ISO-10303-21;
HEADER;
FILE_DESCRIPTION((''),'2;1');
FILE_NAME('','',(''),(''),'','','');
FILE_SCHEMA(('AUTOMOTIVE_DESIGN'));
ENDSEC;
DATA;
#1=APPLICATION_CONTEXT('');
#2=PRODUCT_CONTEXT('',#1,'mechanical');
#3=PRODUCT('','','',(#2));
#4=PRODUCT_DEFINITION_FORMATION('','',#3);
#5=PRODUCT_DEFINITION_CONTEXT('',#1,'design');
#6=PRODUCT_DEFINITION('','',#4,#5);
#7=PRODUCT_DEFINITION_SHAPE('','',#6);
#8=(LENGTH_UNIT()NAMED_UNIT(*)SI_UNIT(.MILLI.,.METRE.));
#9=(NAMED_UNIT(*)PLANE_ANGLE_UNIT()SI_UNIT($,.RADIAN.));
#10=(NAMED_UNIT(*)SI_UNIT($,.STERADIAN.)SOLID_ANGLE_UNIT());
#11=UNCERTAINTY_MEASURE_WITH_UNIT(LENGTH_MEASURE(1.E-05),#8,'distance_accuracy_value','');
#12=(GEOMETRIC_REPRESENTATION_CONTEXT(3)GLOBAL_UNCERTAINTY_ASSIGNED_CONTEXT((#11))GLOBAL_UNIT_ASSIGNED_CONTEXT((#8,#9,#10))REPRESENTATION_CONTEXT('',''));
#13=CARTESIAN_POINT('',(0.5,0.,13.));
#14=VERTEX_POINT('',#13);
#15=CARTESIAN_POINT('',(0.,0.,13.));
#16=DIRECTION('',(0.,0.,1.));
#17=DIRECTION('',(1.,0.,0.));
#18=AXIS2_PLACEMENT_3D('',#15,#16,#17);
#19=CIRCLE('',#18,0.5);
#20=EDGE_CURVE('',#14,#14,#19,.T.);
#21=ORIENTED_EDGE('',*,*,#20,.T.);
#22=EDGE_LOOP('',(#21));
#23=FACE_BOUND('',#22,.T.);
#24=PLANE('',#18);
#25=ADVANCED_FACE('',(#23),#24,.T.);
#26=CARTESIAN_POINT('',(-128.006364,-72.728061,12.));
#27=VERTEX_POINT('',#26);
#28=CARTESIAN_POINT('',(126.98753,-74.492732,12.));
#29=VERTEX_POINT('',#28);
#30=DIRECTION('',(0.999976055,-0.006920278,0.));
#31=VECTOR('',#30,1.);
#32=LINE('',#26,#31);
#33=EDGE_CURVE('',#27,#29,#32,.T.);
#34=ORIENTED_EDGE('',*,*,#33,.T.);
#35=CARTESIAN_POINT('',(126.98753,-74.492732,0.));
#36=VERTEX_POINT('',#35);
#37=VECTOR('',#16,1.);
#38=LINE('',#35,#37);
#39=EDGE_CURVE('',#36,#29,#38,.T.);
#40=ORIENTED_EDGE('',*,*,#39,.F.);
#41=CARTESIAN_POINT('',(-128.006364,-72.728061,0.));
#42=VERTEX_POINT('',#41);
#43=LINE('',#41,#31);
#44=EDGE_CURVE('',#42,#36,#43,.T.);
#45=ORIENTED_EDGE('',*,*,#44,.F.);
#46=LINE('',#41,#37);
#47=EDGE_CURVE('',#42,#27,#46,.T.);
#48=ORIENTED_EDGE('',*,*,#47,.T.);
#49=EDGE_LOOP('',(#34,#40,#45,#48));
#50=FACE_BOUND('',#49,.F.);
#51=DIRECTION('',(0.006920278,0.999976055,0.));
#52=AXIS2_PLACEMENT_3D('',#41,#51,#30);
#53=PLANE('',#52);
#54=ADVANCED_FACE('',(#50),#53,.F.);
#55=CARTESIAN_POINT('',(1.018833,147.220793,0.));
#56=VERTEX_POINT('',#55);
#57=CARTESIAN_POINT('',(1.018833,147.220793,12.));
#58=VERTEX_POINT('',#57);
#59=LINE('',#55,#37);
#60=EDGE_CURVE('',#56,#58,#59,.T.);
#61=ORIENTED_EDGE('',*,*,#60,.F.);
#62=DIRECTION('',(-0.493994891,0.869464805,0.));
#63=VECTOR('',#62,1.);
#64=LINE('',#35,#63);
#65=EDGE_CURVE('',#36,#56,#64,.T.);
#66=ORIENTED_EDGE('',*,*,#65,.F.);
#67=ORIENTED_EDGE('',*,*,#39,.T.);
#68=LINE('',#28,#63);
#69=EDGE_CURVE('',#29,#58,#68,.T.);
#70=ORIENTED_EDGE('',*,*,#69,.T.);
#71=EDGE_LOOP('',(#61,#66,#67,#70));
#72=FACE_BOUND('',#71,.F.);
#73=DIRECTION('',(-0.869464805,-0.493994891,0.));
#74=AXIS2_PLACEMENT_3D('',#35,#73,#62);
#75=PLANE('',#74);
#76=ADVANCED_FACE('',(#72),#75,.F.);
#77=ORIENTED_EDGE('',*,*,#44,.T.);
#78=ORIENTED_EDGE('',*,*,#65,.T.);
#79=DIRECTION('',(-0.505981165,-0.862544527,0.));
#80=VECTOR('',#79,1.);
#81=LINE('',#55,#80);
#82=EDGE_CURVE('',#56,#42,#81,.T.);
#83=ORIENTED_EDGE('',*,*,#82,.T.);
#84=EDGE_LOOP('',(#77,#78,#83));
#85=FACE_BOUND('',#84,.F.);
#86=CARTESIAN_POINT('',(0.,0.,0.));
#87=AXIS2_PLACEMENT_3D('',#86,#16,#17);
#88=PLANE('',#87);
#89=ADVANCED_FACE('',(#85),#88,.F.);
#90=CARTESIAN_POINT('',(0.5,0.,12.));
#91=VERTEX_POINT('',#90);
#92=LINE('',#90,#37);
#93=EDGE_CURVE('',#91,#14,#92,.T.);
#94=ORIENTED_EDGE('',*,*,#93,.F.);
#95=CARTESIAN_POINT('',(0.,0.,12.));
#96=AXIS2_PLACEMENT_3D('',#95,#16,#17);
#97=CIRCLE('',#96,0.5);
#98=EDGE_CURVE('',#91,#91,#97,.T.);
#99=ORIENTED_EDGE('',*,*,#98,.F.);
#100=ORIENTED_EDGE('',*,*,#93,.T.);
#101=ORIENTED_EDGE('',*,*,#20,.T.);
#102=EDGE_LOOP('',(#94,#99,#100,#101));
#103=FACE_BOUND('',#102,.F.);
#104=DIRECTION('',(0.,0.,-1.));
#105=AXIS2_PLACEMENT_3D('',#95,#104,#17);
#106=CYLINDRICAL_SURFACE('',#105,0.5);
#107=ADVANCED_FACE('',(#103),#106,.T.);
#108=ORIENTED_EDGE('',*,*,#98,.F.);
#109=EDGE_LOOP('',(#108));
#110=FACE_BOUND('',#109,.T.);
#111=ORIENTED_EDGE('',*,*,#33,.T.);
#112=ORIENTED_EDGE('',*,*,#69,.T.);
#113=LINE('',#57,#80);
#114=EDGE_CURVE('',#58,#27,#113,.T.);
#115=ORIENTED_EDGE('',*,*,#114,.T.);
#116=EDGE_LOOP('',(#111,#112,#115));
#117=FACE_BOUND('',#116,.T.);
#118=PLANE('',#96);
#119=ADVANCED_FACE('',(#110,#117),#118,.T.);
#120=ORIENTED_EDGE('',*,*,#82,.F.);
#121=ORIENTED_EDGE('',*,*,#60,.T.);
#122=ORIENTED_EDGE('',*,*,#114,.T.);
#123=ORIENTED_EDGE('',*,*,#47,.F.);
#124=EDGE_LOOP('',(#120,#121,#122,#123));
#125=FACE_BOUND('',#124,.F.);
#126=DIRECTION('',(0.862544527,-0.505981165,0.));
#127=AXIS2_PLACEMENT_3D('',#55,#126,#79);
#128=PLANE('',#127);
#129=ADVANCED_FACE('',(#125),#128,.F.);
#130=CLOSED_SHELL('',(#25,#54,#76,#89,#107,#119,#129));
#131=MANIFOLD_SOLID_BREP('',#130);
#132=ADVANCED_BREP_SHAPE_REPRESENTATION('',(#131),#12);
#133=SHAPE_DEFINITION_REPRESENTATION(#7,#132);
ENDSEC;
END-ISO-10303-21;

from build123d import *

# Parameters (mm, degrees)
F1_DEPTH = 12
F2_R     = 0.5
F3_DEPTH = 1


with BuildPart() as f1:
    # F0 (on Top) → F1 (new body)
    with BuildSketch(Plane.XY):
        Polygon((126.98753, -74.492732), (1.018833, 147.220793), (-128.006364, -72.728061), align=None)
    extrude(amount=F1_DEPTH)

    # F2 (on face) → F3 (join)
    with BuildSketch(Plane.XY.offset(12)):
        Circle(F2_R)
    extrude(amount=F3_DEPTH)


solid = f1.part
